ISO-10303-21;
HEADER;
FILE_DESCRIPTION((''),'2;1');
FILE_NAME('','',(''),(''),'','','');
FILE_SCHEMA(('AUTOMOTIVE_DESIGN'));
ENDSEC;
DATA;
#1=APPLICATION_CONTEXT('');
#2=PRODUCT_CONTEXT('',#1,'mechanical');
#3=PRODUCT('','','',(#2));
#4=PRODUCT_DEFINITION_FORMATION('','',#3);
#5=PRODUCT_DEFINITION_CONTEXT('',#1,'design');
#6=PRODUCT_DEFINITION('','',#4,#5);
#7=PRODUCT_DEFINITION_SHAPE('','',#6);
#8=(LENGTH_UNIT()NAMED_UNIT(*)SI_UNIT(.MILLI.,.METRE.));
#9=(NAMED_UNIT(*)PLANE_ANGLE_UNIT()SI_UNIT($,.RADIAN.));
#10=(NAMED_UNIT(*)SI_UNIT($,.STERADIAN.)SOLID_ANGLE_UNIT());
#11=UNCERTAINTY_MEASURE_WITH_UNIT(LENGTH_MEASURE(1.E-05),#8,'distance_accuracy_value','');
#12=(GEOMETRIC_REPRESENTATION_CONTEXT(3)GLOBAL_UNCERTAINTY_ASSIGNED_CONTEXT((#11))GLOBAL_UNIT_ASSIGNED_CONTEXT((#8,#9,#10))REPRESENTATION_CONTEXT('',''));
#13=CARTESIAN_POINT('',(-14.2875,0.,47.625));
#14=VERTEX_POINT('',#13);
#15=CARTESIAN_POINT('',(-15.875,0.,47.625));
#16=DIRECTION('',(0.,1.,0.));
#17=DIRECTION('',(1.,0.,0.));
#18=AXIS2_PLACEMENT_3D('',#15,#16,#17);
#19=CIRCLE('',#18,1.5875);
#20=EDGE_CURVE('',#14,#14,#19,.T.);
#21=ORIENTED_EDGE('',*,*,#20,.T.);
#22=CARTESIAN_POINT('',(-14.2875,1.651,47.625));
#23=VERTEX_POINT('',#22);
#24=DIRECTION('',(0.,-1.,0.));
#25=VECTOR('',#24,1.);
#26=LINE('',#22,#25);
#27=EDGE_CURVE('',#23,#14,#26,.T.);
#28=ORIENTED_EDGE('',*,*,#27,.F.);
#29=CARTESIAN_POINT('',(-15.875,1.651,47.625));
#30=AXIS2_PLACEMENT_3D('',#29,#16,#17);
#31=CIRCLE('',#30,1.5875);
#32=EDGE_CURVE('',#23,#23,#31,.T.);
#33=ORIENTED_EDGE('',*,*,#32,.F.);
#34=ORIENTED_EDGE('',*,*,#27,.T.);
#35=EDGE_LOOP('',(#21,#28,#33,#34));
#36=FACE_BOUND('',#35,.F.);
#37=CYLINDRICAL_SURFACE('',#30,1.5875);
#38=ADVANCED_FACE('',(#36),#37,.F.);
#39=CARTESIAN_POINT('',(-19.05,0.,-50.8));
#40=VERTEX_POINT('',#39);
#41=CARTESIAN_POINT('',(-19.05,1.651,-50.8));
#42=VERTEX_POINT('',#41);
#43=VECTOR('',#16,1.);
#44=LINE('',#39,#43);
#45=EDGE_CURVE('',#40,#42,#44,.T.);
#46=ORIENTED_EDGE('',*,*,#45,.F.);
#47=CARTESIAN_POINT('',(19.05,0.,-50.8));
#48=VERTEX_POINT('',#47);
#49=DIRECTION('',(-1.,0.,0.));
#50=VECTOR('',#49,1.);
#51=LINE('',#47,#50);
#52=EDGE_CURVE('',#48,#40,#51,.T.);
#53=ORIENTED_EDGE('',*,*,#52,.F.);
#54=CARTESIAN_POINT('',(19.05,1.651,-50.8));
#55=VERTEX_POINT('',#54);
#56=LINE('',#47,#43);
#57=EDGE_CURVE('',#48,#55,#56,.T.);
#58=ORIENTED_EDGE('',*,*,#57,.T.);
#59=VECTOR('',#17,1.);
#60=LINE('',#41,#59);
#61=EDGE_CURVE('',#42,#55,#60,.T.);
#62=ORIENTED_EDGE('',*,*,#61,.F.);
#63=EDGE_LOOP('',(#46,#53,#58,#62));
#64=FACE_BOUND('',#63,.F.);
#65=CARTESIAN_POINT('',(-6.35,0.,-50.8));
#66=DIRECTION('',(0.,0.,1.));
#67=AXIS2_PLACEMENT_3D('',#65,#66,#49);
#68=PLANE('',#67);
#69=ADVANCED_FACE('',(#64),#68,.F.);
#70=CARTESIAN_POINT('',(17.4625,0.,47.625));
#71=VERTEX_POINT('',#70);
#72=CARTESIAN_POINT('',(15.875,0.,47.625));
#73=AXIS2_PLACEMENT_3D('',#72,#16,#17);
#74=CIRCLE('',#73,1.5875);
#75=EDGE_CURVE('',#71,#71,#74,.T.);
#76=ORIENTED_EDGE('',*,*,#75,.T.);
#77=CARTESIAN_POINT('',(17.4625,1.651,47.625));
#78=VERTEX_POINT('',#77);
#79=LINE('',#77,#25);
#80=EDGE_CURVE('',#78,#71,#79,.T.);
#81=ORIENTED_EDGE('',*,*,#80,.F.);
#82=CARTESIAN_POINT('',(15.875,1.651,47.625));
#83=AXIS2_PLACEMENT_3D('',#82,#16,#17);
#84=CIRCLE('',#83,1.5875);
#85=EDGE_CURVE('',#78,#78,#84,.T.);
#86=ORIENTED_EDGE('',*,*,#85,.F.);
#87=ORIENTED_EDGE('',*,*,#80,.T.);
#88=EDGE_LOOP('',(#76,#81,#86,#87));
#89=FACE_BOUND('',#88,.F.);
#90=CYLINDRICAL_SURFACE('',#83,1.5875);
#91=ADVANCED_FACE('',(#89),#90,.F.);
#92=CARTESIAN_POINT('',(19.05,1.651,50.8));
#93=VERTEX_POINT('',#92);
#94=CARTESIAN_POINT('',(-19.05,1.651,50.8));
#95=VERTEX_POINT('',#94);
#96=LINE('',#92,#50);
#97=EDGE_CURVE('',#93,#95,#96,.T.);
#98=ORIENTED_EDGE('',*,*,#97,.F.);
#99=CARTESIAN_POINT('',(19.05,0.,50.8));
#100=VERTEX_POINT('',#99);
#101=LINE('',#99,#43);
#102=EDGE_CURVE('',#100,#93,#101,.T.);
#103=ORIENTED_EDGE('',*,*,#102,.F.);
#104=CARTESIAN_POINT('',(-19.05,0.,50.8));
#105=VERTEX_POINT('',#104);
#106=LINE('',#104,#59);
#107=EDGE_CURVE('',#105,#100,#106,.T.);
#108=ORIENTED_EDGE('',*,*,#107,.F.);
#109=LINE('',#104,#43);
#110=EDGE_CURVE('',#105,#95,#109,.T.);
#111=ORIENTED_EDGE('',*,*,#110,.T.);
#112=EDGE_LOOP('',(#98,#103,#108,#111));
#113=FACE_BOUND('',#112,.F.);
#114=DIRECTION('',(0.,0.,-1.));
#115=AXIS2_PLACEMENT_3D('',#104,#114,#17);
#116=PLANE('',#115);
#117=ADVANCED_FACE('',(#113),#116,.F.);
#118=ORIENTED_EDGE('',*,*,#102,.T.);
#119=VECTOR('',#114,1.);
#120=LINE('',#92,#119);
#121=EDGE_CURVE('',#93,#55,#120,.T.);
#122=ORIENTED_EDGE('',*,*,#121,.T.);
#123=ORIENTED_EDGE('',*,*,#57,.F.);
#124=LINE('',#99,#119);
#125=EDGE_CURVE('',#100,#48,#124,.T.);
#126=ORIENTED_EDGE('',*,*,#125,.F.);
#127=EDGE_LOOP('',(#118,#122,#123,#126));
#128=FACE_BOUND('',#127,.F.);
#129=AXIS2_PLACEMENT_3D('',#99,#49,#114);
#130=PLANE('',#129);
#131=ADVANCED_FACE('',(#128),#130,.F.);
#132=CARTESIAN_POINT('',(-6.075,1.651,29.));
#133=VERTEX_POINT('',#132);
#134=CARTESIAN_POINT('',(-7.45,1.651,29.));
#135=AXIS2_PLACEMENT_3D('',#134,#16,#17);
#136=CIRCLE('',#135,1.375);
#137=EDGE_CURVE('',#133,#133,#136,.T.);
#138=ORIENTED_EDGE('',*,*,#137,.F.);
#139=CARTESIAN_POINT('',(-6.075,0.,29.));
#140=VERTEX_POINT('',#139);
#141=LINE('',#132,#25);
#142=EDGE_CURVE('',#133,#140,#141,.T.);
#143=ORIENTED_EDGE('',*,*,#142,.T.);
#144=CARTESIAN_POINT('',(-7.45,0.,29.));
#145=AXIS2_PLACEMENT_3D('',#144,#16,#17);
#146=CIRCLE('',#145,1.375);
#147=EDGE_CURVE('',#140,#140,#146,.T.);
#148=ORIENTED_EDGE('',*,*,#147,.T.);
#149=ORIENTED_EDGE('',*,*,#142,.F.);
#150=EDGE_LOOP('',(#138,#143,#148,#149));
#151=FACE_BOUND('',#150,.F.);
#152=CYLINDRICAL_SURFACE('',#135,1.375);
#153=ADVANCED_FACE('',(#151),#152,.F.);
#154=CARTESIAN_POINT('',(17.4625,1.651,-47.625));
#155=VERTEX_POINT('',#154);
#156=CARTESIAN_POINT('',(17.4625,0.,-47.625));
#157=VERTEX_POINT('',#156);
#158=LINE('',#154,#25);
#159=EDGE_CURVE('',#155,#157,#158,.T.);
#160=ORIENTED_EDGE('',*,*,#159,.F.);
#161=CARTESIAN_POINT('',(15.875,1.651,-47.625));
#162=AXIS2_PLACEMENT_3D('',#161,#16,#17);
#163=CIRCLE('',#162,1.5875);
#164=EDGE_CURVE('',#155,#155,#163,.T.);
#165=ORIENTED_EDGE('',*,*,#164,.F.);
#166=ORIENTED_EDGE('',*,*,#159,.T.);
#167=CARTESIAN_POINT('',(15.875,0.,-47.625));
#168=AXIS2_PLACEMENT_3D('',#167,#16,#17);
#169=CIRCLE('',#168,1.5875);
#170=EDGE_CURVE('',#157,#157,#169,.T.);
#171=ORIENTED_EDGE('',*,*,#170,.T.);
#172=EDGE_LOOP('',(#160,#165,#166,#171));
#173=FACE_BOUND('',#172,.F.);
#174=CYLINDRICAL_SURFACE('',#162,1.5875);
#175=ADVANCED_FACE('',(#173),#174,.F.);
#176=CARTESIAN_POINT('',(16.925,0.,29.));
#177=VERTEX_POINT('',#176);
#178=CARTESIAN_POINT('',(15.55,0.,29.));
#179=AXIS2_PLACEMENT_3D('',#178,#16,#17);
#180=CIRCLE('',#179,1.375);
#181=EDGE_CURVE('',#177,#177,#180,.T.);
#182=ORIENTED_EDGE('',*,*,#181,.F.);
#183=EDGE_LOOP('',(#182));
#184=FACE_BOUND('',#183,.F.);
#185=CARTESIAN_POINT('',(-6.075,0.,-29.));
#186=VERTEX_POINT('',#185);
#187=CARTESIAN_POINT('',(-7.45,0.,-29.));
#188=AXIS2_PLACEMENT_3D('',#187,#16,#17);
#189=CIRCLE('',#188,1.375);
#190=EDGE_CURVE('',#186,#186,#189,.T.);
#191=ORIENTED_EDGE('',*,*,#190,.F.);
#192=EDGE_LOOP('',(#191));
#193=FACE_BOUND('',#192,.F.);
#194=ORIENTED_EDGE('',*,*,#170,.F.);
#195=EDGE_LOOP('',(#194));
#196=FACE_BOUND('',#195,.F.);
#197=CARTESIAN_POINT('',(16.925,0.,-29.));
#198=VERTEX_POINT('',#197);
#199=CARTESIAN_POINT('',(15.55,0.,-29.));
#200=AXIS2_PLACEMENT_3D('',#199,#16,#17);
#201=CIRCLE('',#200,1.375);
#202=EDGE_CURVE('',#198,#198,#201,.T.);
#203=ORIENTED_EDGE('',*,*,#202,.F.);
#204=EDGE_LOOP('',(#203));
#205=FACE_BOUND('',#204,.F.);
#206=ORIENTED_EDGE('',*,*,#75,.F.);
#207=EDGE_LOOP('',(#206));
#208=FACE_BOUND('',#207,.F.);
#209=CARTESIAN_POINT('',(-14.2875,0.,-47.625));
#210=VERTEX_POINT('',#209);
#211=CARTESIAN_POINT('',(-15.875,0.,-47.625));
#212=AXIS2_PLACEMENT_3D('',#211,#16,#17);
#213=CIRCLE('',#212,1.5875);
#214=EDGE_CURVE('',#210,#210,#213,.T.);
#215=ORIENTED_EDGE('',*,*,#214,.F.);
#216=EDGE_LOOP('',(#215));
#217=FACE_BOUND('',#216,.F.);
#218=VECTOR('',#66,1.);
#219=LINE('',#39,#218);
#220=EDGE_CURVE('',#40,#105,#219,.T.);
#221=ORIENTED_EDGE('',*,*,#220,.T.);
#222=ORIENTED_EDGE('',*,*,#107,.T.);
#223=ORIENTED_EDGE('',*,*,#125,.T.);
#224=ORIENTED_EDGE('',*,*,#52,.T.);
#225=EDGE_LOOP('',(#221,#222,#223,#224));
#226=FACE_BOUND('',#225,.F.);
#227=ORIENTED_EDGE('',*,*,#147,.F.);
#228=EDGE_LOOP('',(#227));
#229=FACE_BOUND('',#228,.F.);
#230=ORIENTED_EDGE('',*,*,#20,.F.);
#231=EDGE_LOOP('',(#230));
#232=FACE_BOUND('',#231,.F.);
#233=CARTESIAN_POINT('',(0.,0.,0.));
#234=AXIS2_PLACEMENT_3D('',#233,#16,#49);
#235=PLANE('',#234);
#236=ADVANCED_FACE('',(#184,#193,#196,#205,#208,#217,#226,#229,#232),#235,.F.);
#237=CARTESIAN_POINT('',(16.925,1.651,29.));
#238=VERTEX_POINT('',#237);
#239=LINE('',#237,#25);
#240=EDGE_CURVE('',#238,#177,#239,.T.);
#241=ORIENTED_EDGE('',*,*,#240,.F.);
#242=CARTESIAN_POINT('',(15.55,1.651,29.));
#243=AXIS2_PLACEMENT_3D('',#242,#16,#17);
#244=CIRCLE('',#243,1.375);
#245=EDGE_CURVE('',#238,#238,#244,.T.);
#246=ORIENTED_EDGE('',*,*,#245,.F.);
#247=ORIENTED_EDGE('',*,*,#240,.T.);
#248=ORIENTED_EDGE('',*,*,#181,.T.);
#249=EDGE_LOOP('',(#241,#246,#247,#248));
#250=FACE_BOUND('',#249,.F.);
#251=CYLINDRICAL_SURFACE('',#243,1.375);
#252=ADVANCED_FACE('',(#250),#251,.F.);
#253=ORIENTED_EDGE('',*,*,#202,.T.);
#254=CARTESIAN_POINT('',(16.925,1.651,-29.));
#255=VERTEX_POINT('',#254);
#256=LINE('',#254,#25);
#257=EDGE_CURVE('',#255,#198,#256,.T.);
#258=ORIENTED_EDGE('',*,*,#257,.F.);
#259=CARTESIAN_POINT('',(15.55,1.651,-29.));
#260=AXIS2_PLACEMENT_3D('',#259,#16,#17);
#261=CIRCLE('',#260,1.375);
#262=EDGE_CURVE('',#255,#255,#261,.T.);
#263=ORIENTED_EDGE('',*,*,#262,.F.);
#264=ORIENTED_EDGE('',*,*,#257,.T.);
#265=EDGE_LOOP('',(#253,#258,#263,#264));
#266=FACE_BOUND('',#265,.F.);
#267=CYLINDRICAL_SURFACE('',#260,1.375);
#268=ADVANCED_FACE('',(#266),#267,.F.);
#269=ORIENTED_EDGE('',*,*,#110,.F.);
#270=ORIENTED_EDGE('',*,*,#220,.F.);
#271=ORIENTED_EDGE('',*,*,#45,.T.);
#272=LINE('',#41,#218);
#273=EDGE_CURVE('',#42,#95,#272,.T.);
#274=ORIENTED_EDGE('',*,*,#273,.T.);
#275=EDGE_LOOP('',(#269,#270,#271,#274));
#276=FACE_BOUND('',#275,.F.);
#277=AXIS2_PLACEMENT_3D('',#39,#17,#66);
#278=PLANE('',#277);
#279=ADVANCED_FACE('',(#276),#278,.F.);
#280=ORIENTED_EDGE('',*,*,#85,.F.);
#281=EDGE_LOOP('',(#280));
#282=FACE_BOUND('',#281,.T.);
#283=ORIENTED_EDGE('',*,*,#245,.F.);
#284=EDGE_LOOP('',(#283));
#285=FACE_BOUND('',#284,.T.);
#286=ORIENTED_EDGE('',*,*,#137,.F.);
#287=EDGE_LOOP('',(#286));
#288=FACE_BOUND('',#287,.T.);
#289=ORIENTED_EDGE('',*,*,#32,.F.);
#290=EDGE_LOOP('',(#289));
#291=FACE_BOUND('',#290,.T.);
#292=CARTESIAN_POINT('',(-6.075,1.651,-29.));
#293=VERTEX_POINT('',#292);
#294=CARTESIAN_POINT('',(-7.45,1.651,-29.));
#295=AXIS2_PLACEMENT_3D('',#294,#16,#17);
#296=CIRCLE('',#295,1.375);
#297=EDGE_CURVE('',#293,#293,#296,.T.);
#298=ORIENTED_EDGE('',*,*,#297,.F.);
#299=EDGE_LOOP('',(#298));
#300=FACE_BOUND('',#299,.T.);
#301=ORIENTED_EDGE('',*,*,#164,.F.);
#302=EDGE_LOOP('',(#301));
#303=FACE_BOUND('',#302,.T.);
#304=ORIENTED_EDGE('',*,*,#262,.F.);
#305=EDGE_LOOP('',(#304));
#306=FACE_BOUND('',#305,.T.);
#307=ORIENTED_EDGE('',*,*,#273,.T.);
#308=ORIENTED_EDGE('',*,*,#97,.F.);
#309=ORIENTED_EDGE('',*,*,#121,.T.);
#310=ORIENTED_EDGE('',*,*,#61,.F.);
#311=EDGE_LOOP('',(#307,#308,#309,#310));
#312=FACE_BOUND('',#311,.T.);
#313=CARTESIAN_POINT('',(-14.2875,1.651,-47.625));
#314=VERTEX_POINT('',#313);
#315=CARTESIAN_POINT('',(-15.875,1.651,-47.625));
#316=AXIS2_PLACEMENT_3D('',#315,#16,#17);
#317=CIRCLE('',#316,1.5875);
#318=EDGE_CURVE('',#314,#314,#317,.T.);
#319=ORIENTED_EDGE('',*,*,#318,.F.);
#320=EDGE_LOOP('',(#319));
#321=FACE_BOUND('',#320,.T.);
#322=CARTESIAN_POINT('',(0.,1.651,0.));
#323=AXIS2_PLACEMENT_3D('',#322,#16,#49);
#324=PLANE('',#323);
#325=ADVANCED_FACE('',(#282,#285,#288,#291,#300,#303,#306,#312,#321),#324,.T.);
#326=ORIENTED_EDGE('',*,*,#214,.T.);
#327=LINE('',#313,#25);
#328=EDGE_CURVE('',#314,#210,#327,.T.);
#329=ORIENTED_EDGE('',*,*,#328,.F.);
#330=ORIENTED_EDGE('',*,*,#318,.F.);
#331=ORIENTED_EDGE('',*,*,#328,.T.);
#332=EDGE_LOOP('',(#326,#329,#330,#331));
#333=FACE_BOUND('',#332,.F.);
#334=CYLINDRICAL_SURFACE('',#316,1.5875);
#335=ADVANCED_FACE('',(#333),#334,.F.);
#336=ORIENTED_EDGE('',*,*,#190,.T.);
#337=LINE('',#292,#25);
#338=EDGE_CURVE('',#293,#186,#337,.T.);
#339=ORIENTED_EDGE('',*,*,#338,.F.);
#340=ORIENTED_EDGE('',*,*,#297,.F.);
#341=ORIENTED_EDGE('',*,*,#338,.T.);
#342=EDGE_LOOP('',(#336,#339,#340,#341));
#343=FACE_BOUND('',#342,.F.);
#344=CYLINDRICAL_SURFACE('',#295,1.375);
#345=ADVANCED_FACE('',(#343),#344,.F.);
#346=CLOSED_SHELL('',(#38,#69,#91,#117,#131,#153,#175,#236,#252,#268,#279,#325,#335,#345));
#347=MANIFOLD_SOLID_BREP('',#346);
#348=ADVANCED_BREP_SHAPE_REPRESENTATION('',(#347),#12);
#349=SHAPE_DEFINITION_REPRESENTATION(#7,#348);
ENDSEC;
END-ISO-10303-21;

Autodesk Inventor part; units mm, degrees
ref_plane "YZ Plane" through (0, 0, 0) normal (1, 0, 0) x (0, 1, 0)
ref_plane "XZ Plane" through (0, 0, 0) normal (0, 1, 0) x (-1, 0, 0)
ref_plane "XY Plane" through (0, 0, 0) normal (0, 0, 1) x (1, 0, 0)
sketch "Sketch1" plane through (0, 0, 0) normal (0, 1, 0) x (-1, 0, 0)
  line L0 (19.05, 50.8) -> (6.35, 50.8)
  line L1 (6.35, -50.8) -> (19.05, -50.8)
  line L2 (19.05, -50.8) -> (19.05, 50.8)
  line L3 (6.35, 50.8) -> (-19.05, 50.8)
  line L4 (-19.05, 50.8) -> (-19.05, -50.8)
  line L5 (-19.05, -50.8) -> (6.35, -50.8)
  line L6 (6.35, -50.8) -> (6.35, -50.8)
  line L7 (6.35, 50.8) -> (6.35, 50.8)
  point P0 (0, 0)
  dimension "d0" = 101.6
  dimension "d2" = 101.6
  dimension "d3" = 0
  dimension "d4" = 12.7
  dimension "d5" = 25.4
  dimension "d6" = 0
  dimension "d7" = 50.8
  dimension "d8" = 38.1
  dimension "d9" = 19.05
  dimension "d10" = 12.7
extrude "Extrusion1" add sketch "Sketch1" along normal blind 1.651
sketch "Sketch2" plane through (0, 1.651, 0) normal (0, 1, 0) x (1, 0, 0)
  circle A0 centre (-15.875, -47.625) radius 1.5875
  circle A1 centre (15.875, -47.625) radius 1.5875
  circle A2 centre (-15.875, 47.625) radius 1.5875
  circle A3 centre (15.875, 47.625) radius 1.5875
  line L0 (19.05, 50.8) -> (-19.05, 50.8) projected
  line L1 (-19.05, 50.8) -> (-19.05, -50.8) projected
  line L2 (19.05, -50.8) -> (19.05, 50.8) projected
  line L3 (-19.05, -50.8) -> (19.05, -50.8) projected
  point P0 (0, 0)
  point P1 (-6.35, 38.1)
  dimension "d13" = 3.175
  dimension "d14" = 3.175
  dimension "d15" = 3.175
  dimension "d16" = 3.175
  dimension "d17" = 3.175
  dimension "d18" = 3.175
  dimension "d19" = 3.175
  dimension "d20" = 3.175
  dimension "d21" = 3.175
  dimension "d22" = 3.175
  dimension "d23" = 3.175
  dimension "d27" = 3.175
extrude "Extrusion2" cut sketch "Sketch2" against normal through all contours A0 | A1 | A2 | A3
sketch "Sketch3" plane through (0, 1.651, 0) normal (0, 1, 0) x (1, 0, 0)
  circle A0 centre (-7.45, 29) radius 1.375
  circle A1 centre (15.55, 29) radius 1.375
  circle A2 centre (-7.45, -29) radius 1.375
  circle A3 centre (15.55, -29) radius 1.375
  line L0 (-19.05, -50.8) -> (19.05, -50.8) projected
  line L1 (19.05, 50.8) -> (-19.05, 50.8) projected
  line L2 (-19.05, 50.8) -> (-19.05, -50.8) projected
  line L3 (19.05, -50.8) -> (19.05, 50.8) projected
  point P0 (0, 0)
  dimension "d28" = 2.75
  dimension "d29" = 2.75
  dimension "d30" = 2.75
  dimension "d31" = 2.75
  dimension "d32" = 23
  dimension "d33" = 23
  dimension "d34" = 58
  dimension "d35" = 101.6
  dimension "d36" = 29
  dimension "d39" = 0
  dimension "d40" = 0
  dimension "d41" = 58
  dimension "d44" = 3.5
extrude "Extrusion3" cut sketch "Sketch3" against normal through all contours A0 | A1 | A2 | A3
equation "\"d0\" = d2"
equation "\"d6\" = d3"
equation "\"d7\" = 0.5 * d2"
equation "\"d9\" = 0.5 * d8"
equation "\"d10\" = d4"
equation "\"d14\" = d13"
equation "\"d15\" = d13"
equation "\"d16\" = d13"
equation "\"d19\" = d18"
equation "\"d20\" = d17"
equation "\"d21\" = d19"
equation "\"d22\" = d17"
equation "\"d23\" = d17"
equation "\"d27\" = d21"
equation "\"d29\" = d28"
equation "\"d30\" = d28"
equation "\"d31\" = d28"
equation "\"d32\" = d33"
equation "\"d36\" = 0.5 * d34"
equation "\"d41\" = d34"
properties part number "STARduino layout"
